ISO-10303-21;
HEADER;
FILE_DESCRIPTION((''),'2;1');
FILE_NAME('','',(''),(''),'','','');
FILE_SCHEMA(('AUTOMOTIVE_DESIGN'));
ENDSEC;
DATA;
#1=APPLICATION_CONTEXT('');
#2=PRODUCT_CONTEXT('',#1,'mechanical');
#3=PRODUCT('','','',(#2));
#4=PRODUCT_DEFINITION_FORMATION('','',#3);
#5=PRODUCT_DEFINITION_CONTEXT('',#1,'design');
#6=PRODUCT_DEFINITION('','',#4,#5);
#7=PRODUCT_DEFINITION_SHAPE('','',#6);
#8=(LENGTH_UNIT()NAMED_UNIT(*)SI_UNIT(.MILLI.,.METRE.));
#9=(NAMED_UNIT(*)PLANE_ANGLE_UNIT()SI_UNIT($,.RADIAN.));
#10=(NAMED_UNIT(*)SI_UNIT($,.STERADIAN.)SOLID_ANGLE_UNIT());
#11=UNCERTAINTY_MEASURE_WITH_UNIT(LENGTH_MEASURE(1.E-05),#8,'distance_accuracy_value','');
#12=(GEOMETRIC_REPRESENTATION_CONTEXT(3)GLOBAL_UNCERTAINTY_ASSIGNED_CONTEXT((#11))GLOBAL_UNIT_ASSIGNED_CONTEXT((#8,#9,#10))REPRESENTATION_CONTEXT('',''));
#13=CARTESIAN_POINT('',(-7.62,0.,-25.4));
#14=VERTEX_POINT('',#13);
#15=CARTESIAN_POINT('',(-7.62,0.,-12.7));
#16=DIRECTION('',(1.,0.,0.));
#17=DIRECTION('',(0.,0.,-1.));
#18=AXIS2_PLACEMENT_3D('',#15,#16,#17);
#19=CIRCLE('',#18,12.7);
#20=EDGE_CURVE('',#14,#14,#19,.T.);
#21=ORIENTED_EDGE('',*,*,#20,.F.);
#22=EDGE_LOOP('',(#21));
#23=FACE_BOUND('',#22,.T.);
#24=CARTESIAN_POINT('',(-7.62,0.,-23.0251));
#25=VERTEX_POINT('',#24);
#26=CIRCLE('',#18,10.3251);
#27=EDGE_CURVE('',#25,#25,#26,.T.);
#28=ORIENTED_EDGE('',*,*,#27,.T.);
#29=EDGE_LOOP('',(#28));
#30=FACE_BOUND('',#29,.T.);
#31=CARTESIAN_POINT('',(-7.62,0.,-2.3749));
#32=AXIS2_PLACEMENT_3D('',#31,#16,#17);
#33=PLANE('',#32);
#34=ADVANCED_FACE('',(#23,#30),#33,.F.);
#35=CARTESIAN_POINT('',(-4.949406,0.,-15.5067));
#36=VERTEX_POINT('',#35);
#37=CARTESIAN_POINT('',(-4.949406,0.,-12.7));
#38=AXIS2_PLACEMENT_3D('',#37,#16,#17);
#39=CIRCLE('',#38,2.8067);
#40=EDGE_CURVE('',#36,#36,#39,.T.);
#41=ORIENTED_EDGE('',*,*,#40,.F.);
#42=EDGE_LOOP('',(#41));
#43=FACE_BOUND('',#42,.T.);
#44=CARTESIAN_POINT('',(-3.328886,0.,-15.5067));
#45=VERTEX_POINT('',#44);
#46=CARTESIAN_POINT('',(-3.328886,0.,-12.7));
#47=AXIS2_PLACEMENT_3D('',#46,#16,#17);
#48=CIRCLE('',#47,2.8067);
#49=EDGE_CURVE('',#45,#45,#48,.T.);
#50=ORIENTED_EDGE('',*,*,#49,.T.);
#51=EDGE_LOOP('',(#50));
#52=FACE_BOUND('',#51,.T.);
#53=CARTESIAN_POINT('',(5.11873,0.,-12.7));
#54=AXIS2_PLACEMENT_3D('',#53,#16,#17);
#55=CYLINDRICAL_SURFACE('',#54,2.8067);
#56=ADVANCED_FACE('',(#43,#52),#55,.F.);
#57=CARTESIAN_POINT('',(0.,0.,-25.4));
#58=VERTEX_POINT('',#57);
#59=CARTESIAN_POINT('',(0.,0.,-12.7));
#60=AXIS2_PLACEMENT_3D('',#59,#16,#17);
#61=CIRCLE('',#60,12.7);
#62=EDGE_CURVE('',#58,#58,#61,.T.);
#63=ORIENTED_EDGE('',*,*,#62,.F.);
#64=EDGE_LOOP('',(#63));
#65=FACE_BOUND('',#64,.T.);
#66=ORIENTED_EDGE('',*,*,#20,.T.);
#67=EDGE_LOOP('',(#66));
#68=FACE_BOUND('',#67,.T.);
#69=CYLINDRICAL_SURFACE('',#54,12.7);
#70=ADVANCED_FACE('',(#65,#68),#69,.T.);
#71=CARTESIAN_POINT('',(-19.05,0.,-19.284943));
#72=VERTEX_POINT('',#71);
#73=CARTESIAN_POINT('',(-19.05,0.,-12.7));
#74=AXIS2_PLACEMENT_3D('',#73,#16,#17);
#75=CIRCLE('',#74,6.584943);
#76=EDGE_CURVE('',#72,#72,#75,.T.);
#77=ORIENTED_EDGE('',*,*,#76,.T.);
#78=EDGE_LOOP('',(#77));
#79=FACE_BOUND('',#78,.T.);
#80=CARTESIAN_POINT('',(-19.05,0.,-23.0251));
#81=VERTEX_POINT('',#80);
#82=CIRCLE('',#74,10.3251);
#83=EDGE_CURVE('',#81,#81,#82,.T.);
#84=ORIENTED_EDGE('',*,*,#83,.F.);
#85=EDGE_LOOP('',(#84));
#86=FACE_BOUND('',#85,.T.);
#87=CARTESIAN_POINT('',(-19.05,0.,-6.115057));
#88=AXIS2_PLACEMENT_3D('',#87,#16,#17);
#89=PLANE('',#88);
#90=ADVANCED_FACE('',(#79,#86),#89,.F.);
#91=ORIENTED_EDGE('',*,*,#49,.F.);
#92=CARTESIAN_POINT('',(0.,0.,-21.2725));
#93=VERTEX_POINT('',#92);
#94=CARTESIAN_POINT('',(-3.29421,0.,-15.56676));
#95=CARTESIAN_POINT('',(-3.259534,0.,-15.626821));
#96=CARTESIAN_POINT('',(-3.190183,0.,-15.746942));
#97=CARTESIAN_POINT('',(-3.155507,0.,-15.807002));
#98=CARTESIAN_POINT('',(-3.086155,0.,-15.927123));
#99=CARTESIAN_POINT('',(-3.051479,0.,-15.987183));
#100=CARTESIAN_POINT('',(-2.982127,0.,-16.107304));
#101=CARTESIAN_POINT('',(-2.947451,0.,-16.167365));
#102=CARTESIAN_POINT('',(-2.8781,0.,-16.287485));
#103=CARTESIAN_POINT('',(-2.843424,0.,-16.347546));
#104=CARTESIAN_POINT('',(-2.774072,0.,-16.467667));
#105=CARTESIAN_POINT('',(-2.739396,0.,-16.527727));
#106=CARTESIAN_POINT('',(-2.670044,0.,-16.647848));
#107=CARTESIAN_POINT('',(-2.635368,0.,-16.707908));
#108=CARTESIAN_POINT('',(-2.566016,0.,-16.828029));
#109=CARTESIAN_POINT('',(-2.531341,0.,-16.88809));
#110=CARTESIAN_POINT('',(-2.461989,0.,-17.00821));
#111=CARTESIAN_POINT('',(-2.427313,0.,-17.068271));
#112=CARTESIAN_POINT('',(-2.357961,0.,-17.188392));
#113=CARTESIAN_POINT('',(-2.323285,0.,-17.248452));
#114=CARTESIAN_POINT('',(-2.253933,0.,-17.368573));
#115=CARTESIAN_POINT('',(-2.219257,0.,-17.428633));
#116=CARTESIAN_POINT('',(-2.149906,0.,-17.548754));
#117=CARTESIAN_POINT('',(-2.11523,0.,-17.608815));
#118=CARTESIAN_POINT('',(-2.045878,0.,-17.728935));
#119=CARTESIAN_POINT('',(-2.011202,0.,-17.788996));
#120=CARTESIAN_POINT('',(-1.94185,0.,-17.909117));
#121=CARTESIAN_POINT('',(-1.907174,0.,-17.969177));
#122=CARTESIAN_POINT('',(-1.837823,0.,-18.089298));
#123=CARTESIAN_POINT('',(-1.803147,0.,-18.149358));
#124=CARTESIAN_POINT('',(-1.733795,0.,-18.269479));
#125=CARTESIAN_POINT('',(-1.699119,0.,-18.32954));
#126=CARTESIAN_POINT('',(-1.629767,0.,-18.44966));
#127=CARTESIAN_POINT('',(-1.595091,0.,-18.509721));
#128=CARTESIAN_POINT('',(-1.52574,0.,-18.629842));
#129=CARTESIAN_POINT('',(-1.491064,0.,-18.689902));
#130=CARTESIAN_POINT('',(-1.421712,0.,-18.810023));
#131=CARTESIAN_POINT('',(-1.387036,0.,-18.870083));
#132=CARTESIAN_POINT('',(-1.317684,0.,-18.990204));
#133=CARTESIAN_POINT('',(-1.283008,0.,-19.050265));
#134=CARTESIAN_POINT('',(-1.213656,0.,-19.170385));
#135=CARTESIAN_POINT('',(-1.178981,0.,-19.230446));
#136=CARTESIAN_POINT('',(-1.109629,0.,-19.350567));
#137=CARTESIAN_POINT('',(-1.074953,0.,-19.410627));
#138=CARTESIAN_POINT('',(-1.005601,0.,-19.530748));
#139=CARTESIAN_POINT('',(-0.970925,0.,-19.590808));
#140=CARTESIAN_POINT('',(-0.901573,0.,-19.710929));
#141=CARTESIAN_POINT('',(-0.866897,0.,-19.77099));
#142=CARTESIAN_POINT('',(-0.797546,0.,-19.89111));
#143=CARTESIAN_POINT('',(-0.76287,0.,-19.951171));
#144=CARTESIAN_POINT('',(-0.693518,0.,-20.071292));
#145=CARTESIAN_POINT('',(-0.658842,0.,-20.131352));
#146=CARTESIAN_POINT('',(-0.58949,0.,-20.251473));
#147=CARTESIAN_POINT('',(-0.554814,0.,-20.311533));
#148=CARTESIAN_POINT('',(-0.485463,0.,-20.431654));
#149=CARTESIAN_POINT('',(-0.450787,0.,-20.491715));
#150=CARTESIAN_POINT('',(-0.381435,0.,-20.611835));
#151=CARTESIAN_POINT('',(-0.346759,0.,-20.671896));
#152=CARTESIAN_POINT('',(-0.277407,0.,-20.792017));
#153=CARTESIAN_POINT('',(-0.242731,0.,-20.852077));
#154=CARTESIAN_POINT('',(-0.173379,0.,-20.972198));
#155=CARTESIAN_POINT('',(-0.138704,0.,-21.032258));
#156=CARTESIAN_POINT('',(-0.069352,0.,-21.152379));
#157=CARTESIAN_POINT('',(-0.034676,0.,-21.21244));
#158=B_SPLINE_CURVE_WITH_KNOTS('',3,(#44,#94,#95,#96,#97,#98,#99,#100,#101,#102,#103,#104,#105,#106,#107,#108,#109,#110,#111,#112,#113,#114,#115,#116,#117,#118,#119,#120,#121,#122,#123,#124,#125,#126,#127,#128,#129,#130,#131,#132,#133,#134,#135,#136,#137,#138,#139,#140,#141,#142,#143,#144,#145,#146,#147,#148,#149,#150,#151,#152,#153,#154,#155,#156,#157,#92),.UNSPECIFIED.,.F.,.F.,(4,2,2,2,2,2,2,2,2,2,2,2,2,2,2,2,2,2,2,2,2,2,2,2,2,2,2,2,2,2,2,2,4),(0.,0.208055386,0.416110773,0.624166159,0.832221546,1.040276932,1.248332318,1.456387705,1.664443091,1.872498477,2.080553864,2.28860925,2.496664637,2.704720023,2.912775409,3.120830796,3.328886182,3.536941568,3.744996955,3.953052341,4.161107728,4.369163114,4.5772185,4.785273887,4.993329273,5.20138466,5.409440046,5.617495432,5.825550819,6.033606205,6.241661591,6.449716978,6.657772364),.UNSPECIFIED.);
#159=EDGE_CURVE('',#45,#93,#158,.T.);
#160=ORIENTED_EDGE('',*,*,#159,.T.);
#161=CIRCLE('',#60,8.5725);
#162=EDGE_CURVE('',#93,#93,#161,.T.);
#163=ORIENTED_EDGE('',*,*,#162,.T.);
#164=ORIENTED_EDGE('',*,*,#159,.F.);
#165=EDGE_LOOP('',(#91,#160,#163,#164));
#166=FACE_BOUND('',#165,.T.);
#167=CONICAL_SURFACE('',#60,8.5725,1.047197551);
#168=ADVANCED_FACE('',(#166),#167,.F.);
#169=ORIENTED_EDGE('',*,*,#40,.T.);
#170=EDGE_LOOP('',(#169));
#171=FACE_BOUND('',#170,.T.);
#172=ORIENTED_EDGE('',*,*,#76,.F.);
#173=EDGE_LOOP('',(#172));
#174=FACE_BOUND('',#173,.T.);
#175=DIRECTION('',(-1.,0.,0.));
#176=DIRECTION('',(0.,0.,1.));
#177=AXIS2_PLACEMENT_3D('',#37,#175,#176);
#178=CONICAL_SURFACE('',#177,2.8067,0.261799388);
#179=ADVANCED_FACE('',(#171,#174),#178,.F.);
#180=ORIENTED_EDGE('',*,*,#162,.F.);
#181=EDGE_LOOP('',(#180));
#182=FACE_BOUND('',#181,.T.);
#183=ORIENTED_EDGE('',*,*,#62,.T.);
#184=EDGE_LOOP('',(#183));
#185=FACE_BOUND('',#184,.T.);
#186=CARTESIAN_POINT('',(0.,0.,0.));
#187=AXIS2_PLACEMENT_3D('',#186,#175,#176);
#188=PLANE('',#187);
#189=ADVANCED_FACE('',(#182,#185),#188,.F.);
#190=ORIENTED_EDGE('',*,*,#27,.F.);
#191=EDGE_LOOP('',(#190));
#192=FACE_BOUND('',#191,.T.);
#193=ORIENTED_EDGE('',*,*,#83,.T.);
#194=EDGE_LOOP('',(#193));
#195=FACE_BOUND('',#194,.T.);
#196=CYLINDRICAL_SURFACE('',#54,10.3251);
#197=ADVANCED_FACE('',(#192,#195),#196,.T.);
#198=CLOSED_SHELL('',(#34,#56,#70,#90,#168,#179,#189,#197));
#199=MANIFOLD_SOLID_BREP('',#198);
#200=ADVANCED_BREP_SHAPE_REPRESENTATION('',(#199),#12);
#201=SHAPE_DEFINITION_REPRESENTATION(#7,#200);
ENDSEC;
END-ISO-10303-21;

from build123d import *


with BuildPart() as part:
    # Sketch1 → Revolve1 (revolve)
    with BuildSketch(Plane(origin=(0, 0, 0), x_dir=(1, 0, 0), z_dir=(0, 1, 0)), mode=Mode.PRIVATE) as revolve1_sk:
        Polygon((0, 0), (0, 4.1275), (-3.328886182, 9.8933), (-4.949406182, 9.8933), (-19.05, 6.115057274), (-19.05, 2.3749), (-7.62, 2.3749), (-7.62, 0), align=None)
    revolve(revolve1_sk.sketch.rotate(Axis((5.118729701, 0, -12.7), (-1, 0, 0)), 180), axis=Axis((5.118729701, 0, -12.7), (-1, 0, 0)))


solid = part.part
